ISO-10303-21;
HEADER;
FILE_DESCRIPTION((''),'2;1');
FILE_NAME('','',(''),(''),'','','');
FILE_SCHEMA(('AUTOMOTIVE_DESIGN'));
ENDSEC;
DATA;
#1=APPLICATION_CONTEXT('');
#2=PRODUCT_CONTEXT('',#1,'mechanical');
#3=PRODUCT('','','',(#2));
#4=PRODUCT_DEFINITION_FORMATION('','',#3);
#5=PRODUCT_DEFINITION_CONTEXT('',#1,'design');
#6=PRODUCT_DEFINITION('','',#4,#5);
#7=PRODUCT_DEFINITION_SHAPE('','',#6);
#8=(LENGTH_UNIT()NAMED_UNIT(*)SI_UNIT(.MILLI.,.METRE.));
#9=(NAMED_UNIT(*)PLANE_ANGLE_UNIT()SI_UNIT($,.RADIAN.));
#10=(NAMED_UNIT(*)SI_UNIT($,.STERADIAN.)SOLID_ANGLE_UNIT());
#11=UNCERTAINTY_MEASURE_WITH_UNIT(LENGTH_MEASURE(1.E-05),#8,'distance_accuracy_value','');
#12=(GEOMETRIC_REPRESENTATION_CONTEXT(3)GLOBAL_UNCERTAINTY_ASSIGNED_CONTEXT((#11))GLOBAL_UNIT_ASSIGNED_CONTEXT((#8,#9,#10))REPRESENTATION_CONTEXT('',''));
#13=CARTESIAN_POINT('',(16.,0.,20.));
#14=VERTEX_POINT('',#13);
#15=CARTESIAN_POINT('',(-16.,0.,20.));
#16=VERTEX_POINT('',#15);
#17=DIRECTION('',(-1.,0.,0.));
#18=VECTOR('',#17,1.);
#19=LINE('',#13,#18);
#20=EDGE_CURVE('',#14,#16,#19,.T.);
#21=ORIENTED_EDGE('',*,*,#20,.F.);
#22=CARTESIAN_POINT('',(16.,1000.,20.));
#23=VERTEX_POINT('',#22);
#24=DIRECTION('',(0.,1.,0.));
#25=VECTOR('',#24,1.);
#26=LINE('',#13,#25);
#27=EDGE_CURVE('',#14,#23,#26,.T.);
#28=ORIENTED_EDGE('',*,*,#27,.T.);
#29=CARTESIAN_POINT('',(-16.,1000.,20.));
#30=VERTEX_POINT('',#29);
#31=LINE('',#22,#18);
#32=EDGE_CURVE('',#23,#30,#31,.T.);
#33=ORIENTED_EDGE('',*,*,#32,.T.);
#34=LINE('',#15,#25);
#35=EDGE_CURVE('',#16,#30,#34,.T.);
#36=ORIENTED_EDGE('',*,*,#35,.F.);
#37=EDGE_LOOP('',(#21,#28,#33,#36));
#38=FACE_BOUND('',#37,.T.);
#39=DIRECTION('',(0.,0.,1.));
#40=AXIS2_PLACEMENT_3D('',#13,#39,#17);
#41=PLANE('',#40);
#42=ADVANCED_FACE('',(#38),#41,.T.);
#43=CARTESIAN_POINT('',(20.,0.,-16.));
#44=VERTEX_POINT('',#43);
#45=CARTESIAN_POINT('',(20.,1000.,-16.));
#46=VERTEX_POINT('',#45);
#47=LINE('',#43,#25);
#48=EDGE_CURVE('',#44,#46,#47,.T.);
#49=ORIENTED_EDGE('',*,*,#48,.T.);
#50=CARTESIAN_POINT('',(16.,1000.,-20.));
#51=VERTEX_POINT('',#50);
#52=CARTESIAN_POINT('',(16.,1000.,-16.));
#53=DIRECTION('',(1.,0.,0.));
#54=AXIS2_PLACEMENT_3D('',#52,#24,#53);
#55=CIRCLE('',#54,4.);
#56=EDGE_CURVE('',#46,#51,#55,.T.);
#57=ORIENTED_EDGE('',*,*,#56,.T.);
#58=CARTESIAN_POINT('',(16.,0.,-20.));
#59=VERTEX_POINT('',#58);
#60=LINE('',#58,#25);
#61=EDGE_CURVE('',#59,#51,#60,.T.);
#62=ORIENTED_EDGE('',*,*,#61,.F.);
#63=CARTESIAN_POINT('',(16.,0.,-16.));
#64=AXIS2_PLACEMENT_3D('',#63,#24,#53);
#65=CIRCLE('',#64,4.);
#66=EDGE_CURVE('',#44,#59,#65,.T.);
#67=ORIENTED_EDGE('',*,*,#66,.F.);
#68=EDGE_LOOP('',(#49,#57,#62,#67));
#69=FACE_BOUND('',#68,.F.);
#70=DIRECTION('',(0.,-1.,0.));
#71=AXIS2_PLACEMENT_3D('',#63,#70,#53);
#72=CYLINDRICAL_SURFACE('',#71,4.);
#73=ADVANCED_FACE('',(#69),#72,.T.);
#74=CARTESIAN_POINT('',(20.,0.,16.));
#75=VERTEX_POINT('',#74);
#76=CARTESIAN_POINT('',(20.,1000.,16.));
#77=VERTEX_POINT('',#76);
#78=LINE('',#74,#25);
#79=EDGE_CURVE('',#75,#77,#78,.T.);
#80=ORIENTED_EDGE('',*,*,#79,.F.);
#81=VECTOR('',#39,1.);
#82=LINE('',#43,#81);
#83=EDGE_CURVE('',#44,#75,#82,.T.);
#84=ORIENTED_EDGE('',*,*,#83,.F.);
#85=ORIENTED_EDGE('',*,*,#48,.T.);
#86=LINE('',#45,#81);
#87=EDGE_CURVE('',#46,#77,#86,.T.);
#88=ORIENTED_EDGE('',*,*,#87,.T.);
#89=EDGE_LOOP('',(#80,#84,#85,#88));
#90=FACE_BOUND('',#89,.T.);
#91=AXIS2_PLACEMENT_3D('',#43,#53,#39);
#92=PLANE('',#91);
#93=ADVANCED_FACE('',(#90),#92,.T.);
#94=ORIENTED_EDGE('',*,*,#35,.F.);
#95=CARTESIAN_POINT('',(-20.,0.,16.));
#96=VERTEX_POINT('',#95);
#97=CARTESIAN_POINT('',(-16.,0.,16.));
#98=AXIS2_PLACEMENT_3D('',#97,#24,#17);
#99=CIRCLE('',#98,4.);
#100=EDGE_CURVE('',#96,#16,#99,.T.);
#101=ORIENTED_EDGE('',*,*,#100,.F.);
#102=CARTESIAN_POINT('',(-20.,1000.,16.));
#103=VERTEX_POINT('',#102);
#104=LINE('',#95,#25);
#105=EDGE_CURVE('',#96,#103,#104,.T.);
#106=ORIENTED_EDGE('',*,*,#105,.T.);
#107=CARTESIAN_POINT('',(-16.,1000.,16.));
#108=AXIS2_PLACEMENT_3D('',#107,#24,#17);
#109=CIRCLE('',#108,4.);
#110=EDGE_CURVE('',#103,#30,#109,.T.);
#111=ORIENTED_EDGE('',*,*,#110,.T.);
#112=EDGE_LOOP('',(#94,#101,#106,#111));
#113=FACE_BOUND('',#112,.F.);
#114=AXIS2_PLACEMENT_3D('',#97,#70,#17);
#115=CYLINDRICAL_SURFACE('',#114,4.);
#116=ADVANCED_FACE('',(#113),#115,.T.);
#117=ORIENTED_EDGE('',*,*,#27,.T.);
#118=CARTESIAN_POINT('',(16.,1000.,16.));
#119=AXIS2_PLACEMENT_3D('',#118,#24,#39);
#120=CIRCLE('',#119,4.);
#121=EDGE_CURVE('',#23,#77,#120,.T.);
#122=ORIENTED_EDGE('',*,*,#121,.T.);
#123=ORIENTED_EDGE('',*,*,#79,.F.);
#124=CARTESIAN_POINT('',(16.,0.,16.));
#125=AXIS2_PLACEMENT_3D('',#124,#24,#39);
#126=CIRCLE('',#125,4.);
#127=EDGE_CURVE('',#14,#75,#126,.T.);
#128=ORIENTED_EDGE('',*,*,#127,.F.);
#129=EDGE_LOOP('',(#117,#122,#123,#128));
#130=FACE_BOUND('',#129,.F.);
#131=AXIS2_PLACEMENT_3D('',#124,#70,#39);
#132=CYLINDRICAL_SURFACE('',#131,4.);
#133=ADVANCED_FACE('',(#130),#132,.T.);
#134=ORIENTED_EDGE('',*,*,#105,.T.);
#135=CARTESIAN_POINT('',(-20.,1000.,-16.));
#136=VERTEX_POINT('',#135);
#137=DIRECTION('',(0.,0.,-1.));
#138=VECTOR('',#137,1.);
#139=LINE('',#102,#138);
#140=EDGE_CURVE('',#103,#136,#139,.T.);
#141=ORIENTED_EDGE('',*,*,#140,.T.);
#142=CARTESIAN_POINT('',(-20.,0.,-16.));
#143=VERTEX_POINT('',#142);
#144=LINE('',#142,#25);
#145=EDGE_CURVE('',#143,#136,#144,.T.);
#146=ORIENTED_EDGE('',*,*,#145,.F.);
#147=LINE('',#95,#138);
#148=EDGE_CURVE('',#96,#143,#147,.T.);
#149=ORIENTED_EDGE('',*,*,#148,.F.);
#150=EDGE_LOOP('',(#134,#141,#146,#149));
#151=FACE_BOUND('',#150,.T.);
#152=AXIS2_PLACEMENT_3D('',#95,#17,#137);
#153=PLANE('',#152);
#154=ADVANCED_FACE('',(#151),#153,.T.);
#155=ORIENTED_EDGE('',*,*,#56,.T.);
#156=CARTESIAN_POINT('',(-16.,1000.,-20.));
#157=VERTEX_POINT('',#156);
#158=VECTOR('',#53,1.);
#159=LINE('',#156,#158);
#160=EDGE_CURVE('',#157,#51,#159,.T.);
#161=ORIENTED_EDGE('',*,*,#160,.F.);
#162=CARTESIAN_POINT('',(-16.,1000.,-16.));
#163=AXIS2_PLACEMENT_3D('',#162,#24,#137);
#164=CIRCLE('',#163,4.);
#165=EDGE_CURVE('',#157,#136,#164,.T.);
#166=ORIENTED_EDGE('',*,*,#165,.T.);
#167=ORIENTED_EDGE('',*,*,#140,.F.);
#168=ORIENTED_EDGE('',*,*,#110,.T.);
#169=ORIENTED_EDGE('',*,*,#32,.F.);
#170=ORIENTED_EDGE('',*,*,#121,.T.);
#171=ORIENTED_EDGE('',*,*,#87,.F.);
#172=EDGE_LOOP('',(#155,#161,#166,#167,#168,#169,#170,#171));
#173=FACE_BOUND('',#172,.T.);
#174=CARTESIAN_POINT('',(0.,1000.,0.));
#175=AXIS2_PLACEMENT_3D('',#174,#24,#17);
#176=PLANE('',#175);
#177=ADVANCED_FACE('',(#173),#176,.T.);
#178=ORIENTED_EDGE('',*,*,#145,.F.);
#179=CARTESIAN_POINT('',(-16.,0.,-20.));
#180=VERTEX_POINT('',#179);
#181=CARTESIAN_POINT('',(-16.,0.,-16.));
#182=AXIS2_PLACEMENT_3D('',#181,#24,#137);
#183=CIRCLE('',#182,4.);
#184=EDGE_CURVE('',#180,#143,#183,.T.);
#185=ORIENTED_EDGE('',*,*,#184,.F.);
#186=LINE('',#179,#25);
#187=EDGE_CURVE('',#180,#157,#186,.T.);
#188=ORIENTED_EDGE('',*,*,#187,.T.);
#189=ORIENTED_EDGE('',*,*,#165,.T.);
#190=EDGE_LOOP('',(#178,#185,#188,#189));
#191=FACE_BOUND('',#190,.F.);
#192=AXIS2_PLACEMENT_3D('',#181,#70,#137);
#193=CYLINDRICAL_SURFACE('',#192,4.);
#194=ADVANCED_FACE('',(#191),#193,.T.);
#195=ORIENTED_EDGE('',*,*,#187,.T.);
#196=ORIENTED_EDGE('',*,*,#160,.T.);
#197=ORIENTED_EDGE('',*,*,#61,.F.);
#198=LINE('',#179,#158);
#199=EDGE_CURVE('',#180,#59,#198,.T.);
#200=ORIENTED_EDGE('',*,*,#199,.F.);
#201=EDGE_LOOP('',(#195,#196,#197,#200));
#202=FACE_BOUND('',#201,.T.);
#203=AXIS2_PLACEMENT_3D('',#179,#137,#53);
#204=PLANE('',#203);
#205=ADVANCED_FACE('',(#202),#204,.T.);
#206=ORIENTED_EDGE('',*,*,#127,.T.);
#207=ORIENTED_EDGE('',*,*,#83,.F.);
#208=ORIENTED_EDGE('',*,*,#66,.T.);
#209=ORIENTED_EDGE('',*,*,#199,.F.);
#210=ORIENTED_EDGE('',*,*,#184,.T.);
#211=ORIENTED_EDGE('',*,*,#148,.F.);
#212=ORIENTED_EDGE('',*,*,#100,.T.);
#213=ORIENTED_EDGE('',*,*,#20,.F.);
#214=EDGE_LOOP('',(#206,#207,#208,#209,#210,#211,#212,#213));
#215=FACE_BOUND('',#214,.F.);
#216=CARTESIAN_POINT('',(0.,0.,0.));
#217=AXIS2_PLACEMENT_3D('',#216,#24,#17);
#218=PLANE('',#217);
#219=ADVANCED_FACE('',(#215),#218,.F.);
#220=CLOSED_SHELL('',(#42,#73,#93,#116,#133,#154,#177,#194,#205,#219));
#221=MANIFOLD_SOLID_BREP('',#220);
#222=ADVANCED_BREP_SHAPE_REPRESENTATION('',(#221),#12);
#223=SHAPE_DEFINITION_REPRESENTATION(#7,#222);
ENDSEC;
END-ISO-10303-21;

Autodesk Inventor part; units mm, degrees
ref_plane "YZ Plane" through (0, 0, 0) normal (1, 0, 0) x (0, 1, 0)
ref_plane "XZ Plane" through (0, 0, 0) normal (0, 1, 0) x (-1, 0, 0)
ref_plane "XY Plane" through (0, 0, 0) normal (0, 0, 1) x (1, 0, 0)
sketch "Sketch1" plane through (0, 0, 0) normal (0, 1, 0) x (-1, 0, 0)
  line L0 (12.8536, 0) -> (-12.8536, 0) construction
  line L1 (0, -18.0149) -> (0, 18.0149) construction
  line L2 (16, -20) -> (-16, -20)
  line L3 (-20, -16) -> (-20, 16)
  line L4 (-16, 20) -> (16, 20)
  line L5 (20, 16) -> (20, -16)
  arc A0 (-16, 20) -> (-20, 16) centre (-16, 16) ccw
  arc A1 (-20, -16) -> (-16, -20) centre (-16, -16) ccw
  arc A2 (16, -20) -> (20, -16) centre (16, -16) ccw
  arc A3 (20, 16) -> (16, 20) centre (16, 16) ccw
  point P0 (0, 0)
  point P1 (0, 0)
  point P2 (0, 0)
  point P3 (20, -20)
  point P4 (-20, 20)
  point P5 (-20, -20)
  point P6 (20, 20)
  dimension "d0" = 40
  dimension "d1" = 40
  dimension "d2" = 4
extrude "Extrusion1" add sketch "Sketch1" along normal blind 1000
properties part number "Item4040RotorHorizontalTopV1"
